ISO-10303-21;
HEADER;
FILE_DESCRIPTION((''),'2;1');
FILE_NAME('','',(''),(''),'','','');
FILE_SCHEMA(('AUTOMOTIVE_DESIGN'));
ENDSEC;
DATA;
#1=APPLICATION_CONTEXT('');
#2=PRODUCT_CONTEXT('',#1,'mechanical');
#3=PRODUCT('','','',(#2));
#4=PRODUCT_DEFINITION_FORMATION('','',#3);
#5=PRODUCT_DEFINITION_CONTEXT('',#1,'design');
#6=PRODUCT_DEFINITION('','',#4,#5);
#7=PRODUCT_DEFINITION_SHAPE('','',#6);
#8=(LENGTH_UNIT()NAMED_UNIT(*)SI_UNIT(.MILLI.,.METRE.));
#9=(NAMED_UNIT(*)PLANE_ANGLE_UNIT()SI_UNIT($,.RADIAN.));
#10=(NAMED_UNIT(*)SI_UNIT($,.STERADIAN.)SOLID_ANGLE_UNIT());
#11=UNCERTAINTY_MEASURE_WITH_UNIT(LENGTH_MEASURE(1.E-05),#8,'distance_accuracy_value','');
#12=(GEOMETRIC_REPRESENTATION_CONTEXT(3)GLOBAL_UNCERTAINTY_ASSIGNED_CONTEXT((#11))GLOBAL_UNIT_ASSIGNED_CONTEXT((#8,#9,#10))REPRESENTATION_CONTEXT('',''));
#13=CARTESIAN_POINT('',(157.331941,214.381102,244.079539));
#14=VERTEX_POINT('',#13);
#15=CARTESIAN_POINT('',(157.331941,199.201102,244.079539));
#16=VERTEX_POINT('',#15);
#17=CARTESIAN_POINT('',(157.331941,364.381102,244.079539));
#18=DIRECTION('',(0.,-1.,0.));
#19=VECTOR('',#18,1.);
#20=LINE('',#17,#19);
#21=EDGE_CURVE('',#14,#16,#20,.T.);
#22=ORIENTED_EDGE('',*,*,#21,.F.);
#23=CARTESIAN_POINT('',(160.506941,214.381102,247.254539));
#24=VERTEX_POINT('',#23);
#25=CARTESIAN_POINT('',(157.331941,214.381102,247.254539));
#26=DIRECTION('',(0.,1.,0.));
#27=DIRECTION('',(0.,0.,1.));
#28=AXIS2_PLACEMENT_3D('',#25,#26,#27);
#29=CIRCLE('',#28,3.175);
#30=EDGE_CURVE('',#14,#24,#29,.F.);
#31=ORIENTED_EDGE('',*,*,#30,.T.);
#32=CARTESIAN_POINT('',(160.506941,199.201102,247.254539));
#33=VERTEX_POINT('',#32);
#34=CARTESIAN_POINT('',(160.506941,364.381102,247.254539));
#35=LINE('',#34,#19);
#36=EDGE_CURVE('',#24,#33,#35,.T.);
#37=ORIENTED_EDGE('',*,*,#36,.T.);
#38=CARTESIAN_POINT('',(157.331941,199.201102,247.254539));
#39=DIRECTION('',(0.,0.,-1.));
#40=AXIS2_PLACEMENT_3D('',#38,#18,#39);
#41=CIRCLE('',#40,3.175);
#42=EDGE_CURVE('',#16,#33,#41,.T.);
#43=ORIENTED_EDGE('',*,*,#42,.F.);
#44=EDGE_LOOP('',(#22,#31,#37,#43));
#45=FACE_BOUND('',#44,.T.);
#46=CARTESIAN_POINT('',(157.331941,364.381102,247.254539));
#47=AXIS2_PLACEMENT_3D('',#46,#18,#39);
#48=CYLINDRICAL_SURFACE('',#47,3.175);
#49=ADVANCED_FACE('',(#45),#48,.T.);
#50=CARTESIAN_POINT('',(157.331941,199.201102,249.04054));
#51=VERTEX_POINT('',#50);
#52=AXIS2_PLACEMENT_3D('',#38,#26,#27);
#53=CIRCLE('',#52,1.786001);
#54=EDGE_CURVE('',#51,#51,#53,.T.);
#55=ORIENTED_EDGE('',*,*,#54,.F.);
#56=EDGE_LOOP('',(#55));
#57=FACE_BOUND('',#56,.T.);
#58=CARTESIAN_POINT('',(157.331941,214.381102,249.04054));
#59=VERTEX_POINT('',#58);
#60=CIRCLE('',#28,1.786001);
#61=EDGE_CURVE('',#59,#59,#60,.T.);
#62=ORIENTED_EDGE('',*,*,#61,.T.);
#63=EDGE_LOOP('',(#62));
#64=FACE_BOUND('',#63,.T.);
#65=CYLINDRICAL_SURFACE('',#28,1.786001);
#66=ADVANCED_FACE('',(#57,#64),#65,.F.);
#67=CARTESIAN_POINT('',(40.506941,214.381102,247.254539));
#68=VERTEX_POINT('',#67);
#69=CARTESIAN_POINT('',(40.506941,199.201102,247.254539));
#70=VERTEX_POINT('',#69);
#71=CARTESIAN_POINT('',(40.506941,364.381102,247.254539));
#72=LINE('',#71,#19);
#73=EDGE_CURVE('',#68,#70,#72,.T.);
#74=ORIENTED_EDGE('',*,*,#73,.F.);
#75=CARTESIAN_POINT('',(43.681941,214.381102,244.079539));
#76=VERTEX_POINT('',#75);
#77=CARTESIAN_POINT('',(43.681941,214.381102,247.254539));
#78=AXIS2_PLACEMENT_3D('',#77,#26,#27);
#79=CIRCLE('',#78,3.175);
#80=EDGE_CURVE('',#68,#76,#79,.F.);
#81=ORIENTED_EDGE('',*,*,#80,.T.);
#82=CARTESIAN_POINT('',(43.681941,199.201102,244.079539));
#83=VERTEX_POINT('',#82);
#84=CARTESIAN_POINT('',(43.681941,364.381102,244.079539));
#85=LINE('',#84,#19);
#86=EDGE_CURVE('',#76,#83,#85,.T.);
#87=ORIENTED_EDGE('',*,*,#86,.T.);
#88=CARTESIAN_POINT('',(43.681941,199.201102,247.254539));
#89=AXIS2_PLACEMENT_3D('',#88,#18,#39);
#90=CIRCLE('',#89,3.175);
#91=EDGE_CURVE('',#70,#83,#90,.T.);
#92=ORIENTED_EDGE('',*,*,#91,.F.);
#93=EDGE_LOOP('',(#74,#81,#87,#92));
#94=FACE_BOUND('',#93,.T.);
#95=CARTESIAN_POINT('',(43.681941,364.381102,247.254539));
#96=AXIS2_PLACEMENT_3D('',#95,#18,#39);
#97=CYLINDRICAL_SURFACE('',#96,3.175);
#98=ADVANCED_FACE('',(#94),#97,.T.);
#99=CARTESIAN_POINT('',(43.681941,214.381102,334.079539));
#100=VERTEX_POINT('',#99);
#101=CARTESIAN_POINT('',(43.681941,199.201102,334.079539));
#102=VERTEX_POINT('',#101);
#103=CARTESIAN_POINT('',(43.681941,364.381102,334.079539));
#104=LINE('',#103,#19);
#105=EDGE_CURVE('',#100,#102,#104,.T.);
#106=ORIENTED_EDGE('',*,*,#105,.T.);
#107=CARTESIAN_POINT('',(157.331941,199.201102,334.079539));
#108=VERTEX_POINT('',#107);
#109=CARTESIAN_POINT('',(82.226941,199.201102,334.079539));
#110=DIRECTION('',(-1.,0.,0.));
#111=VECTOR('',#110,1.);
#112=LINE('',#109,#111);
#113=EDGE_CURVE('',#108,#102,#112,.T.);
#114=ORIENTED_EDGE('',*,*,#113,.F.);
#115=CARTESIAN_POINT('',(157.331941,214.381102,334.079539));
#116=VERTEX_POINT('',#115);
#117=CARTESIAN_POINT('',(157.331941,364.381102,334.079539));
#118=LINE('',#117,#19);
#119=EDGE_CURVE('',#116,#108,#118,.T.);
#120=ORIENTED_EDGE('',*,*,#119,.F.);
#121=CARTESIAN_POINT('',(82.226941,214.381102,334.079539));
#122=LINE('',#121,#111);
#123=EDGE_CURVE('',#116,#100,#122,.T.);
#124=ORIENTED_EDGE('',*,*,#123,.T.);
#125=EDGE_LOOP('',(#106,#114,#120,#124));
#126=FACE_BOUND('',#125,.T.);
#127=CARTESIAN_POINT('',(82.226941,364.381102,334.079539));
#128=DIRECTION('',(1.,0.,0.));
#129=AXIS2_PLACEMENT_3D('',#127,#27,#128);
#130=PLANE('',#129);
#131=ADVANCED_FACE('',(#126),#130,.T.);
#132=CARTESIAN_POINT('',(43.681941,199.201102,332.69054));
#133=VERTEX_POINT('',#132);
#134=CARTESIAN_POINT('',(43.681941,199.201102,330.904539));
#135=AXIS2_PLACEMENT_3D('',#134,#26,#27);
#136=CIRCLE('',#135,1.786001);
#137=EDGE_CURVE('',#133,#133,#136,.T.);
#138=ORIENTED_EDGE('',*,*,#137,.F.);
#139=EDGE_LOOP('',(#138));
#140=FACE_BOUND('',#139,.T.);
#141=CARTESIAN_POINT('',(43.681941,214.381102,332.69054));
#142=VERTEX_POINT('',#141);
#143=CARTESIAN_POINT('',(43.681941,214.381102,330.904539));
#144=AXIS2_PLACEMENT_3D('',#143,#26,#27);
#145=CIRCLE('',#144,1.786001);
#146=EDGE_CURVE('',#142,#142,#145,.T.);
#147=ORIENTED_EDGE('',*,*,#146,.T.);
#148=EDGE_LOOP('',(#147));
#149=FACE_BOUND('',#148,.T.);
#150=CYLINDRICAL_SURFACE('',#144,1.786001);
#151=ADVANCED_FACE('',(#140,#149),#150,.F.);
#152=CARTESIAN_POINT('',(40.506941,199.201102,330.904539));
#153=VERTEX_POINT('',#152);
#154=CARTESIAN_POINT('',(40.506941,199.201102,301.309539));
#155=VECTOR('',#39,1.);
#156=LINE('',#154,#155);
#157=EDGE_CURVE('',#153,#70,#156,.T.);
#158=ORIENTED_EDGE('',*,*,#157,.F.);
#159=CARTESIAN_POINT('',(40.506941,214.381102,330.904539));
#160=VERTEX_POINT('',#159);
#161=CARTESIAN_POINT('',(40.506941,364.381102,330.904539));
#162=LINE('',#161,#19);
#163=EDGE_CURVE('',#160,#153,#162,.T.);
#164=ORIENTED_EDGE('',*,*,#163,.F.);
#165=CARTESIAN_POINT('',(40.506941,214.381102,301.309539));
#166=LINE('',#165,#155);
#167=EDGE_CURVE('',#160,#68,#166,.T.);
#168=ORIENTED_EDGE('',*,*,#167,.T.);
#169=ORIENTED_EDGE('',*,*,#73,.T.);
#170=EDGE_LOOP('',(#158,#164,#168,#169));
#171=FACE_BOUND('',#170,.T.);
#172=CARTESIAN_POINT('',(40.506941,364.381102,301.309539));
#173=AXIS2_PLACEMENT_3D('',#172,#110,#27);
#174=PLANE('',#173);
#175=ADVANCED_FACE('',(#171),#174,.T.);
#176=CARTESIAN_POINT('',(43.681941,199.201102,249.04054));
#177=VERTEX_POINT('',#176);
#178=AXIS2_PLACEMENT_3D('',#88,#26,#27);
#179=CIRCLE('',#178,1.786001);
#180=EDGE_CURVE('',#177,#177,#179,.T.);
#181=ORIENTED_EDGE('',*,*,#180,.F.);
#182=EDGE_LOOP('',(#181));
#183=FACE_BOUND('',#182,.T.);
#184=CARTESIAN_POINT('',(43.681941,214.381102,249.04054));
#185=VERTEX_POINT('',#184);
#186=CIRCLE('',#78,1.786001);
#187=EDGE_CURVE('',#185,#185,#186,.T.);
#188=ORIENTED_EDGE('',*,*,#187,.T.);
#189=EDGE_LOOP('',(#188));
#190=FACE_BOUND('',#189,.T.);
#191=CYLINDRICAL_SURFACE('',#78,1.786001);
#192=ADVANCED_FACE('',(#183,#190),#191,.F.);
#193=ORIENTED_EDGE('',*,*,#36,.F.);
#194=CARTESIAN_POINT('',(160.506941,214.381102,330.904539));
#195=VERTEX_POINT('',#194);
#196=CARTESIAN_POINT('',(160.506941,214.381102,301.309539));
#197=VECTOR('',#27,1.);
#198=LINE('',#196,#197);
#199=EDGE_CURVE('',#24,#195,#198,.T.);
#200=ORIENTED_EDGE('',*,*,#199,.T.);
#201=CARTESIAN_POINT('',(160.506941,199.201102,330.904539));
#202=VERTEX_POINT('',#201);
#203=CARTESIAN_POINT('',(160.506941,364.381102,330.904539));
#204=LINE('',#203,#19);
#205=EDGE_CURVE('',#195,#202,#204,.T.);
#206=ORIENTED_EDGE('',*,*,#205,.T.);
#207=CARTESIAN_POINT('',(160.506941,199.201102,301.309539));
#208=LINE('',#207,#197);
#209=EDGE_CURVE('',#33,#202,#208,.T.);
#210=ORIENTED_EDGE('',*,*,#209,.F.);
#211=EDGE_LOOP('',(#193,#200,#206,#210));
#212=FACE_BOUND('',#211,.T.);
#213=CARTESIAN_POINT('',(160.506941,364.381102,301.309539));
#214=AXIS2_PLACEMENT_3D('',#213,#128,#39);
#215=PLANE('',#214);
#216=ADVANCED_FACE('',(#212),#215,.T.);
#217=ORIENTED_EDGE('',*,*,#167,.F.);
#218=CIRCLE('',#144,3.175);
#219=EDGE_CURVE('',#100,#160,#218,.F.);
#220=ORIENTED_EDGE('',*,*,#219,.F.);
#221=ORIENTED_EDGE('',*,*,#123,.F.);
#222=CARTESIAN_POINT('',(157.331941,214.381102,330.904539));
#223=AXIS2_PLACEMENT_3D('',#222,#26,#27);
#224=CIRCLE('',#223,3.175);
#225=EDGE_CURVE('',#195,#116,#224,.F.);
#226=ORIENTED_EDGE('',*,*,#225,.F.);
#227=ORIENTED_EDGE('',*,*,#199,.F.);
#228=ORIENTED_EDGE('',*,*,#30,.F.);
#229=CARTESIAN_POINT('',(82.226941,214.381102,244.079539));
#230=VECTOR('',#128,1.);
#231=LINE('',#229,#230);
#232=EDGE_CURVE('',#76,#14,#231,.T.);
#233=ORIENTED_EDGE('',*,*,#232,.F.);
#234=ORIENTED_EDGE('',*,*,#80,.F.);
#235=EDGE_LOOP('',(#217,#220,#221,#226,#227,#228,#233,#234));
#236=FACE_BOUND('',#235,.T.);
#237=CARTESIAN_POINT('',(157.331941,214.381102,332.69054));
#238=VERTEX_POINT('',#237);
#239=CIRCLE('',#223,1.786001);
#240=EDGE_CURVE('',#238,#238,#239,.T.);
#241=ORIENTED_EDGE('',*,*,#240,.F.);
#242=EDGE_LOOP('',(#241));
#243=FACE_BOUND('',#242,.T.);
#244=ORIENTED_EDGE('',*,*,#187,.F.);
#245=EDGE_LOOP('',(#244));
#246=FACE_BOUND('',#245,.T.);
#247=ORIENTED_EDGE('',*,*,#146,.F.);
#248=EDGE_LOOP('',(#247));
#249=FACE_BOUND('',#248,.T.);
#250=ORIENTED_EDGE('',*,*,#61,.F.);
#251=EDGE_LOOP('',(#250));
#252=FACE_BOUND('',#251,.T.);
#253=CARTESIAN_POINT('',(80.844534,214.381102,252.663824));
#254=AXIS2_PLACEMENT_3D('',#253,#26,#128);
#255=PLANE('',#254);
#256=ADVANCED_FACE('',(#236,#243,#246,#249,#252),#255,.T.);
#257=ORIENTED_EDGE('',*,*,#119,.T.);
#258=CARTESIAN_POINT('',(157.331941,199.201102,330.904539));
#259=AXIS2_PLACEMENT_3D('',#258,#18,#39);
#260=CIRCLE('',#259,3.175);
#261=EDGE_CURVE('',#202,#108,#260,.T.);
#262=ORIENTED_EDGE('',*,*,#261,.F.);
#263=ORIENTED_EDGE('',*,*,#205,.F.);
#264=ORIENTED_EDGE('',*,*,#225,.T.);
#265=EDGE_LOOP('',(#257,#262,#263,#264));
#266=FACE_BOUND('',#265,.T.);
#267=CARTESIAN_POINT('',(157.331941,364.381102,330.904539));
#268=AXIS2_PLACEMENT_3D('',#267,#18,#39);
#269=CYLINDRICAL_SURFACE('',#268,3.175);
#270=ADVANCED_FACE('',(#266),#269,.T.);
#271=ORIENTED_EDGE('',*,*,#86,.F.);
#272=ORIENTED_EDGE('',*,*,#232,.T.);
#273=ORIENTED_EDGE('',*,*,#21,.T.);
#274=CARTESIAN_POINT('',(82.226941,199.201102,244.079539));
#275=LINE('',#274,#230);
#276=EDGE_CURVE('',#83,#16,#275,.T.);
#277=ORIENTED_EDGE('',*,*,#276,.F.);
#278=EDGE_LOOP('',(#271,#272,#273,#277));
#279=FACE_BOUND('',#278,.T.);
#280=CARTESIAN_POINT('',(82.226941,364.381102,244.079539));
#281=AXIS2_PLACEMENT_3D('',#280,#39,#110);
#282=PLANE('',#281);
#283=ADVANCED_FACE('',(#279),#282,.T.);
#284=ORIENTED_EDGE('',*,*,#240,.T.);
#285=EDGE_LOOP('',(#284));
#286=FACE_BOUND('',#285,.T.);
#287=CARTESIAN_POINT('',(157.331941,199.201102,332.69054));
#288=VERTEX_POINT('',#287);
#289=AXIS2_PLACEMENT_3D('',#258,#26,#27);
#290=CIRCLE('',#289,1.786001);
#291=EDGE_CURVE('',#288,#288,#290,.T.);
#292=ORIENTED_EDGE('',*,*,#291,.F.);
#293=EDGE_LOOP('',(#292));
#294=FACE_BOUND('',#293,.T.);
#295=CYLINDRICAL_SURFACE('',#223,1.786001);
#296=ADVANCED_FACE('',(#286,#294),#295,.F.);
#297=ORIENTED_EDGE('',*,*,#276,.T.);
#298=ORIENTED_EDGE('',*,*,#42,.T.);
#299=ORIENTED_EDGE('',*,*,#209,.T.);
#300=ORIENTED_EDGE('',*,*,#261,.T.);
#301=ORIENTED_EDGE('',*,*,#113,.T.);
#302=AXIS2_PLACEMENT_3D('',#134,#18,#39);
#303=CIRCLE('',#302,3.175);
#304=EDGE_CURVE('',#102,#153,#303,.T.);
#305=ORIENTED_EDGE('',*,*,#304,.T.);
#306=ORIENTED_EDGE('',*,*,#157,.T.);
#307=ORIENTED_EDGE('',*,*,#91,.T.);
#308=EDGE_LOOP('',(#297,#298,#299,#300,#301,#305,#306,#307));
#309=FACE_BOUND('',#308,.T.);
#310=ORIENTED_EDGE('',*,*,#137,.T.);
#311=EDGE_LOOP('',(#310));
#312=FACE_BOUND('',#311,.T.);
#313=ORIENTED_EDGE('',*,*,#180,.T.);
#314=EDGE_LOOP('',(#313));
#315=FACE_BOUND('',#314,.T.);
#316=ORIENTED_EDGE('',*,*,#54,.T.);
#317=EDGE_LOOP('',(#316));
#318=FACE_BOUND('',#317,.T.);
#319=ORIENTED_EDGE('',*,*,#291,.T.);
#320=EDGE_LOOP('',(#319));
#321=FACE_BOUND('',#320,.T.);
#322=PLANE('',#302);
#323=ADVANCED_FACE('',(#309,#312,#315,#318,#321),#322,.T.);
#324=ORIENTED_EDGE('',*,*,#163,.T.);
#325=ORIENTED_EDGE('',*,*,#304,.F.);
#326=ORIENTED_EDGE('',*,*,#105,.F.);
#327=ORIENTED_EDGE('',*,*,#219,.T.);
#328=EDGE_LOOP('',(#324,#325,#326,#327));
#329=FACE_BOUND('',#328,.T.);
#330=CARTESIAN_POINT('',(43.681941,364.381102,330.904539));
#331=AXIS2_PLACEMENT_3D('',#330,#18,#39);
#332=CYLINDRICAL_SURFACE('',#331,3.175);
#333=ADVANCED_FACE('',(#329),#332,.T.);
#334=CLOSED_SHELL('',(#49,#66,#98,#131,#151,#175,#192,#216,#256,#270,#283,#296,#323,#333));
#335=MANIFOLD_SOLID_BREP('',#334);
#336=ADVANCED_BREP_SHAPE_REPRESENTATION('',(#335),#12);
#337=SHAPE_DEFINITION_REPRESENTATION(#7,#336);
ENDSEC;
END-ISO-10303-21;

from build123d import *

# Parameters (mm, degrees)
BOSS_EXTRUDE1_START             = -5.98
BOSS_EXTRUDE1_DEPTH             = 15.18
F_9_64_0_14063_DIAMETER_HOLE1_D = 3.572002


with BuildPart() as part:
    # Sketch1 → Boss-Extrude1 (new body)
    with BuildSketch(Plane(origin=(0, 205.181102149, 0), x_dir=(1, 0, 0), z_dir=(0, 1, 0)).offset(BOSS_EXTRUDE1_START)):
        with BuildLine():
            Line((43.681940653, -244.079539284), (157.331940653, -244.079539284))
            ThreePointArc((157.331940653, -244.079539284), (159.577004684, -245.009475254), (160.506940653, -247.254539284))
            Line((160.506940653, -247.254539284), (160.506940653, -330.904539284))
            ThreePointArc((160.506940653, -330.904539284), (159.577004684, -333.149603314), (157.331940653, -334.079539284))
            Line((157.331940653, -334.079539284), (43.681940653, -334.079539284))
            ThreePointArc((43.681940653, -334.079539284), (41.436876623, -333.149603314), (40.506940653, -330.904539284))
            Line((40.506940653, -330.904539284), (40.506940653, -247.254539284))
            ThreePointArc((40.506940653, -247.254539284), (41.436876623, -245.009475254), (43.681940653, -244.079539284))
        make_face()
    extrude(amount=BOSS_EXTRUDE1_DEPTH)

    # 9/64 (0.14063) Diameter Hole1 (through all)
    with Locations(Plane(origin=(0, 214.381102149, 0), x_dir=(1, 0, 0), z_dir=(0, 1, 0))):
        with Locations((43.681940653, -330.904539284), (43.681940653, -247.254539284), (157.331940653, -247.254539284), (157.331940653, -330.904539284)):
            Hole(F_9_64_0_14063_DIAMETER_HOLE1_D / 2)


solid = part.part
